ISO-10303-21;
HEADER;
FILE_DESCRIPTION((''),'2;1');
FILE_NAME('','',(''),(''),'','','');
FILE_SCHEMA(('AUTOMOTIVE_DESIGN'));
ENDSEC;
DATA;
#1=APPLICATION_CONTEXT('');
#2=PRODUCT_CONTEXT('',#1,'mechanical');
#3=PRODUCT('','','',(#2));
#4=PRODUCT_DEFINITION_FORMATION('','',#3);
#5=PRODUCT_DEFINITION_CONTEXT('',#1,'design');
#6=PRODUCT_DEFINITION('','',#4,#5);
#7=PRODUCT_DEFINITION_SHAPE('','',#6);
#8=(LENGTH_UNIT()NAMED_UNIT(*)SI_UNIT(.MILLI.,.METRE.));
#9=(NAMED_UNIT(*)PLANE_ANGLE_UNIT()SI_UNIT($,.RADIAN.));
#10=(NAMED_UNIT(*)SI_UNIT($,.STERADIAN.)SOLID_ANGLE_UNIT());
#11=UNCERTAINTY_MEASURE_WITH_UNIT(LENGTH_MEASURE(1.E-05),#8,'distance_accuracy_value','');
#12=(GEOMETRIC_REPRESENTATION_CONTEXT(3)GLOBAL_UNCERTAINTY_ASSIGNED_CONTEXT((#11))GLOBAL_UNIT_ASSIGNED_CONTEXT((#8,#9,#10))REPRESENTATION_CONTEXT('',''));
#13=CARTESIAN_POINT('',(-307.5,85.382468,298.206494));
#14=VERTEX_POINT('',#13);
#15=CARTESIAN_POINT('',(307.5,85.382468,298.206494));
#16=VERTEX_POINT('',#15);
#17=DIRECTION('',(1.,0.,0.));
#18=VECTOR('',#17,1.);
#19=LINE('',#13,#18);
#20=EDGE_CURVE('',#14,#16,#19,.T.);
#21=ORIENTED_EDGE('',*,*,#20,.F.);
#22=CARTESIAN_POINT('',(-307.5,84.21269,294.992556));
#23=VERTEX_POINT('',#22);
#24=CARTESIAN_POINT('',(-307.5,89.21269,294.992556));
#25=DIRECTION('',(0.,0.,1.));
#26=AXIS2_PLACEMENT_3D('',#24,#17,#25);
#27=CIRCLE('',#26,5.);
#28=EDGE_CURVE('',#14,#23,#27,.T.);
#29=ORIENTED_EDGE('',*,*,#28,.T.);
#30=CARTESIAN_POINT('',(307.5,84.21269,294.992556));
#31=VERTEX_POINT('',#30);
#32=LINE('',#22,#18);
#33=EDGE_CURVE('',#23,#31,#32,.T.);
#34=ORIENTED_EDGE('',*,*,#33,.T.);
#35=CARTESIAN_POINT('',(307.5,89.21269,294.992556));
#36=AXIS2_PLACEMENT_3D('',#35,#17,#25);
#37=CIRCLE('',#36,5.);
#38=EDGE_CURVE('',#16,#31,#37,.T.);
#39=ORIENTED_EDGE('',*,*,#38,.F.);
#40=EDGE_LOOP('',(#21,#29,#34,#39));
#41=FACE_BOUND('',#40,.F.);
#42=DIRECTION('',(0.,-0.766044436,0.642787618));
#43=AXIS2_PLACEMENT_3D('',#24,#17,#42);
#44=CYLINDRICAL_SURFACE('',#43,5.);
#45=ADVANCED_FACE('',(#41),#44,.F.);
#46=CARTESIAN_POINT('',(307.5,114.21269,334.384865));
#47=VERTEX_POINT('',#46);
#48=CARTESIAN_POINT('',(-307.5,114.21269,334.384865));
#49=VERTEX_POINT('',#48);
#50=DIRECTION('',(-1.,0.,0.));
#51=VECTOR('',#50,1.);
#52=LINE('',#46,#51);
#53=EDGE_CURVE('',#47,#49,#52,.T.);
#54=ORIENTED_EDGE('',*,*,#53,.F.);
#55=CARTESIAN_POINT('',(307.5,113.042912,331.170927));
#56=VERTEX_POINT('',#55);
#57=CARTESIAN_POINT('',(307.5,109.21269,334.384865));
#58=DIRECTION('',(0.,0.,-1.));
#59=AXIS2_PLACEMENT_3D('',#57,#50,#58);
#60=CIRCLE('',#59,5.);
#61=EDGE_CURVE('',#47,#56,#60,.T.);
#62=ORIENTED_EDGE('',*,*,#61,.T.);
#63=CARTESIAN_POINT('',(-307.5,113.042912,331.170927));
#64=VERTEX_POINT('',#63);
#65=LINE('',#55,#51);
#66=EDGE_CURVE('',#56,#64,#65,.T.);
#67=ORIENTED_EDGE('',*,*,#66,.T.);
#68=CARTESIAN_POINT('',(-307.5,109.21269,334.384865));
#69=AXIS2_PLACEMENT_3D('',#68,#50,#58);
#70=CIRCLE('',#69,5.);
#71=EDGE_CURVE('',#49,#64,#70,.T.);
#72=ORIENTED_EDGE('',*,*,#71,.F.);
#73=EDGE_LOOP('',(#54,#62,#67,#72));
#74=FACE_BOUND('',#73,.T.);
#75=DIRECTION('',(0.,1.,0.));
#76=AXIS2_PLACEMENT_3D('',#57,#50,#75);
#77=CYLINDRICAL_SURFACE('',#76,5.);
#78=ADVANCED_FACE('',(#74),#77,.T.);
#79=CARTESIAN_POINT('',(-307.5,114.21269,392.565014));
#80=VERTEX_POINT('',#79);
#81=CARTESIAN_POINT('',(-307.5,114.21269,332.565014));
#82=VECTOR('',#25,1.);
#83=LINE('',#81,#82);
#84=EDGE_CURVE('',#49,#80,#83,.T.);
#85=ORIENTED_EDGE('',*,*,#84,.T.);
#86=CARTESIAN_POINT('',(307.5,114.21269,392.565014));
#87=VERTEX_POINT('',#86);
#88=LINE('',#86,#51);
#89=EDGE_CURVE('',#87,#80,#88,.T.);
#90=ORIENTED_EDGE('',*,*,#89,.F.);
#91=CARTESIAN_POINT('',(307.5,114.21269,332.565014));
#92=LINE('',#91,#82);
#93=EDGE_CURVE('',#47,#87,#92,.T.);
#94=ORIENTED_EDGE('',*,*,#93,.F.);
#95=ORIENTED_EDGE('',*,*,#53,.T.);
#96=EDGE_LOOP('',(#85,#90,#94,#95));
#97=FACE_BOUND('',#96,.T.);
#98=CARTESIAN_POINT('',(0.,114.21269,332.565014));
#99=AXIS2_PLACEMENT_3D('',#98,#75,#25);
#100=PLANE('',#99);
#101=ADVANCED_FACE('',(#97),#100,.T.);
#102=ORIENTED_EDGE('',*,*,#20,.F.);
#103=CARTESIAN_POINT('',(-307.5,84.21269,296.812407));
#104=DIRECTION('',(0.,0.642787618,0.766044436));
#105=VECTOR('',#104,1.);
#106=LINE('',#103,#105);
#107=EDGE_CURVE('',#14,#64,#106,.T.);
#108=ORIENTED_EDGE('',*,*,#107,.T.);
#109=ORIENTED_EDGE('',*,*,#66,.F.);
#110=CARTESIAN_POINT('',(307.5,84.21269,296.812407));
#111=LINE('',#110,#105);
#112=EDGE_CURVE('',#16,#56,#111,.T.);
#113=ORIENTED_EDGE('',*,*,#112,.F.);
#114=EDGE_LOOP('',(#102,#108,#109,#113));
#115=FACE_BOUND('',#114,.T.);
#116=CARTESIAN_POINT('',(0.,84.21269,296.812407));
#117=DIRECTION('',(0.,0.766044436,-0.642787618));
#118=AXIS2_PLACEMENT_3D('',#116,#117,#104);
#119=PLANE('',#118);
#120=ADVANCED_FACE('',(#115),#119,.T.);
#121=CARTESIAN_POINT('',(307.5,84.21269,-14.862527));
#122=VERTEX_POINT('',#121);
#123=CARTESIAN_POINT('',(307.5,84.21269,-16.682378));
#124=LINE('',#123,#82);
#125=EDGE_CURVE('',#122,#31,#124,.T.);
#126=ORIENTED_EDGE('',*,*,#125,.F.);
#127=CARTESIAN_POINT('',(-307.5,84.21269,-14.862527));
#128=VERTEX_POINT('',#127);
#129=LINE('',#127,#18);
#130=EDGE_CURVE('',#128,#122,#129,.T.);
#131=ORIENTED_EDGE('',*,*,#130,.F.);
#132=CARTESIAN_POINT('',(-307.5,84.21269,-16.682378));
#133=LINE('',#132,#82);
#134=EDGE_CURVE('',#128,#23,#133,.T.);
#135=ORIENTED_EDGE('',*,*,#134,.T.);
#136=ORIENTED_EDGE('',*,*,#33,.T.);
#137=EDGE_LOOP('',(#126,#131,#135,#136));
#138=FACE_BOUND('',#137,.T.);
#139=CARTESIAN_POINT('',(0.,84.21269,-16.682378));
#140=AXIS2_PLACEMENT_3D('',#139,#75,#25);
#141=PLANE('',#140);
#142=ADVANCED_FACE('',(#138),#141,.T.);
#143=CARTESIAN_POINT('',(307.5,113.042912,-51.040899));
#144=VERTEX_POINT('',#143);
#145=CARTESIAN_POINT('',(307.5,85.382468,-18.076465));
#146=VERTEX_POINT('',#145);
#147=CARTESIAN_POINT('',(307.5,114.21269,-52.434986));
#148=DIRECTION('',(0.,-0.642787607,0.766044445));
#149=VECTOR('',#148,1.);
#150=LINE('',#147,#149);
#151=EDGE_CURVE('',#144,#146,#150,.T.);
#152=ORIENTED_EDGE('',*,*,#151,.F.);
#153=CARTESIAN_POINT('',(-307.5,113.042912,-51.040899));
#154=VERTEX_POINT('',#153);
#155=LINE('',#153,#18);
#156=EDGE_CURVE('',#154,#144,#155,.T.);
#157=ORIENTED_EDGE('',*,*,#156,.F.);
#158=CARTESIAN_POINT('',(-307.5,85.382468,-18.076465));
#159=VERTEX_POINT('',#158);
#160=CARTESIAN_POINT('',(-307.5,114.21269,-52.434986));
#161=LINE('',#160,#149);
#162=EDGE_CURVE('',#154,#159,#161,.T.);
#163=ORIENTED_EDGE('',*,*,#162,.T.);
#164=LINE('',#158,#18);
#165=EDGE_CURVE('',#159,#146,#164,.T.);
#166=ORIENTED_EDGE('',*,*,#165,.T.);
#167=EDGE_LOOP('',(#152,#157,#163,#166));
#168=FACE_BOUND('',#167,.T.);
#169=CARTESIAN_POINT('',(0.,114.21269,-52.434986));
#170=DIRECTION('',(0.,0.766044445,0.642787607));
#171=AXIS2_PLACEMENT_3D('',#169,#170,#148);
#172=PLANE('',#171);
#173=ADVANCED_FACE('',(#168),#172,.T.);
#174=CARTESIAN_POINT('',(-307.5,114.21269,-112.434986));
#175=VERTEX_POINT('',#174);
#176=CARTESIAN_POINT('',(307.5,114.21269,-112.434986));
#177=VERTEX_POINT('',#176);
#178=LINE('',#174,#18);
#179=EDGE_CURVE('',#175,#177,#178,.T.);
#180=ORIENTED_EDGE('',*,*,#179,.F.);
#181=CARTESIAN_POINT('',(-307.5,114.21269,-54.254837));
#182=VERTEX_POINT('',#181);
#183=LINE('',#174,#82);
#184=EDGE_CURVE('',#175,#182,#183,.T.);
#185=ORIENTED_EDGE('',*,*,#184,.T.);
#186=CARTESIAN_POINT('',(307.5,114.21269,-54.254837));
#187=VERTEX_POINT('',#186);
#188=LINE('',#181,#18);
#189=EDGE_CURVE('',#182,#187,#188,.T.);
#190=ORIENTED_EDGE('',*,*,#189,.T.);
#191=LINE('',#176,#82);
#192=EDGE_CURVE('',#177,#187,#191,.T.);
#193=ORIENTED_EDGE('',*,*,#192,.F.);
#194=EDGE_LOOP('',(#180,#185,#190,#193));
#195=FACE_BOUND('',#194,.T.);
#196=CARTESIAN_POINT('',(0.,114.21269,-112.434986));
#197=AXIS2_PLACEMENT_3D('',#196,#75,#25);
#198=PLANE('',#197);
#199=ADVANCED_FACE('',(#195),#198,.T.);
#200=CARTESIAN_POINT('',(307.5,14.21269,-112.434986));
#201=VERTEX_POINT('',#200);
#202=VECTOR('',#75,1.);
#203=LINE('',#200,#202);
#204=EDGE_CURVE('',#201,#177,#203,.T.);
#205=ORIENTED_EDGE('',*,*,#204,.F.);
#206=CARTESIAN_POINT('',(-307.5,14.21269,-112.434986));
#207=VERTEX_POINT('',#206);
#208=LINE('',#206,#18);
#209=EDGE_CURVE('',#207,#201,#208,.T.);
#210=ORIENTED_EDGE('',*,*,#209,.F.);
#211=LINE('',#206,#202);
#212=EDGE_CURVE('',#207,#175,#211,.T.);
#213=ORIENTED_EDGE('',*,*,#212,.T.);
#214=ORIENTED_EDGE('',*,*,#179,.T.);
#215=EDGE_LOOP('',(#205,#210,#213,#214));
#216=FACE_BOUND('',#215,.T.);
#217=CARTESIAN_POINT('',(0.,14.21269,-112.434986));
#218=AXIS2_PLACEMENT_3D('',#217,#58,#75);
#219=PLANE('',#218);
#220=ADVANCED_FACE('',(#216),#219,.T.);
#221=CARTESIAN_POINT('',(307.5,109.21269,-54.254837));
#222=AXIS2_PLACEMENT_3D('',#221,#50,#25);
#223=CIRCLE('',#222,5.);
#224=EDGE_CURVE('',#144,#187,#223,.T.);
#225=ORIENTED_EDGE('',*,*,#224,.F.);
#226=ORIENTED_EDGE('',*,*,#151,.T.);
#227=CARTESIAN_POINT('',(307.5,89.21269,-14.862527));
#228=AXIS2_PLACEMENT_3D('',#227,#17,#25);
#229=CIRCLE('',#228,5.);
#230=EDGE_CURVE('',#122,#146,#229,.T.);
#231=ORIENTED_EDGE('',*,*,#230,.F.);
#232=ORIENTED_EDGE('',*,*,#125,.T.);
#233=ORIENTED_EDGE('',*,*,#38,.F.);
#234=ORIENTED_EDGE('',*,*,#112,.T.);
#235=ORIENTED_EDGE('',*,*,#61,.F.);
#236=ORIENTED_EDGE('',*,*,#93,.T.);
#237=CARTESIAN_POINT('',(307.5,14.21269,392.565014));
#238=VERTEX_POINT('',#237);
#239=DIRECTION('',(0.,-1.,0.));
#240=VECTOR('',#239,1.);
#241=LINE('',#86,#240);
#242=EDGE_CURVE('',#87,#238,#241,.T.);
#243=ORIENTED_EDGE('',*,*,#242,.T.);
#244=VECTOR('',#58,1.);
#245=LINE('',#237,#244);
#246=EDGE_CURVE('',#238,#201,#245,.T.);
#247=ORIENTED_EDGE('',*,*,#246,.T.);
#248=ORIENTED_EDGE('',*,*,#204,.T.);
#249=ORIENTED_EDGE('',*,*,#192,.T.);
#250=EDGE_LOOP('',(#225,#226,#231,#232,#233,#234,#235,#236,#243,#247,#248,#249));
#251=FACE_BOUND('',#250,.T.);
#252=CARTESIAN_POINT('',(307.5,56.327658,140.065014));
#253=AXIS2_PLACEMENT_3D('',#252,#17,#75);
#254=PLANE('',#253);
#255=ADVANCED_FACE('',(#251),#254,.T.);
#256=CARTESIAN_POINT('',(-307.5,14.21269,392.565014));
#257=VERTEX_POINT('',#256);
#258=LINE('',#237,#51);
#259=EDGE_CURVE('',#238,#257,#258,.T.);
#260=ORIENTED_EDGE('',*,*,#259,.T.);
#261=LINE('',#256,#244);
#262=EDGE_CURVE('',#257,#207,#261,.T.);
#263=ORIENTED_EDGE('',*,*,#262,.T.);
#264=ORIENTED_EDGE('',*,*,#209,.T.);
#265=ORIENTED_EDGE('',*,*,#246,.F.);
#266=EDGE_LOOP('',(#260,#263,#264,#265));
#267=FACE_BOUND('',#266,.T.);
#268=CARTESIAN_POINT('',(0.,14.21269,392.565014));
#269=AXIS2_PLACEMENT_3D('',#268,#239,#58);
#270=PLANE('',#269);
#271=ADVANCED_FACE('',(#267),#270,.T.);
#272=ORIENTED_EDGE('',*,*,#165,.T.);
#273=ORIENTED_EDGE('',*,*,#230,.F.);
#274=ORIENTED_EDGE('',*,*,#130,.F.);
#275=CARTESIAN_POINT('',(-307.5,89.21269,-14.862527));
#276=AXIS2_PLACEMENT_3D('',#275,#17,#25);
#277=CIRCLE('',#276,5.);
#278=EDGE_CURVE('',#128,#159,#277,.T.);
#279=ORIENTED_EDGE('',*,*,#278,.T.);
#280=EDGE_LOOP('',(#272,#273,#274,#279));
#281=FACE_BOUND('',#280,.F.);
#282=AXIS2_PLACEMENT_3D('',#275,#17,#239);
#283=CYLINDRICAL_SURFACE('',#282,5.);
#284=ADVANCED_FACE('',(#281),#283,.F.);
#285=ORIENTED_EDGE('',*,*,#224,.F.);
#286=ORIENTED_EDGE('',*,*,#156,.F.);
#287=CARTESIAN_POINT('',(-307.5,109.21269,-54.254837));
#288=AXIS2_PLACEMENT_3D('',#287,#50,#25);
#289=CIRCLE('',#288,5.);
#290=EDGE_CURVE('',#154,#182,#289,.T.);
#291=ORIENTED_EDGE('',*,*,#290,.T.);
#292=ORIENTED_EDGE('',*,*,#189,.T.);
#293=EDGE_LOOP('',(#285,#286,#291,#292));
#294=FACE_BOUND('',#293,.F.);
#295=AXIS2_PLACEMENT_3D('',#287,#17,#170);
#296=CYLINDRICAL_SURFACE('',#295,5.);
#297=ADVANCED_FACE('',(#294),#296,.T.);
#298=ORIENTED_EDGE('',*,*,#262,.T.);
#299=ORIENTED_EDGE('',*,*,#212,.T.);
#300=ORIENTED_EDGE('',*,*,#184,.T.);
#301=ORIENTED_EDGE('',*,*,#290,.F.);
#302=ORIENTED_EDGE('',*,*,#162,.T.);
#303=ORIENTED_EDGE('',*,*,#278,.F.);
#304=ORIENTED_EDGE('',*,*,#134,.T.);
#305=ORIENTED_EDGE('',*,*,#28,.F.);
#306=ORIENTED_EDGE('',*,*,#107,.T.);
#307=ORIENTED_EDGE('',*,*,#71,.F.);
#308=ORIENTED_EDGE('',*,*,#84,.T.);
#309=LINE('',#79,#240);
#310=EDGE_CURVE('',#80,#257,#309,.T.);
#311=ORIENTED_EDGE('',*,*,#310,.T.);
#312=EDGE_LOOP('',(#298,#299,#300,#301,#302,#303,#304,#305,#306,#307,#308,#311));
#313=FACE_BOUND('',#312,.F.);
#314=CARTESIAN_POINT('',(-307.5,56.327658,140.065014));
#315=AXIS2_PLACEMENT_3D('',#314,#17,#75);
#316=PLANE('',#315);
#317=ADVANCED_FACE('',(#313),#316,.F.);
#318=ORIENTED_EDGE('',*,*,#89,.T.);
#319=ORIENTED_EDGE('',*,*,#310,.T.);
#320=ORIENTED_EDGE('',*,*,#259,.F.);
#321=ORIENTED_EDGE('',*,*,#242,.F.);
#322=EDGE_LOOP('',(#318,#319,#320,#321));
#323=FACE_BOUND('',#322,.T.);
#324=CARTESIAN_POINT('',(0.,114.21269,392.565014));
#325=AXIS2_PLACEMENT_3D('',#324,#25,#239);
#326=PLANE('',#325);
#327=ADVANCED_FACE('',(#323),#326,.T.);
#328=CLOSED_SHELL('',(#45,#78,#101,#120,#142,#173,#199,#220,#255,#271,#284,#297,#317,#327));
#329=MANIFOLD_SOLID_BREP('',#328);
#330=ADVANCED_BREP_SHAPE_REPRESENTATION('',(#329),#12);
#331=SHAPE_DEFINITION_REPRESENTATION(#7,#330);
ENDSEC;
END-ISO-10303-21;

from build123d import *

# Parameters (mm, degrees)
F1_DEPTH = 307.5
F2_R     = 5


with BuildPart() as f1:
    # F0 (on Right) → F1 (new body, symmetric)
    with BuildSketch(Plane.YZ):
        Polygon((14.21269, 392.565014), (14.21269, -112.434986), (114.21269, -112.434986), (114.21269, -52.434986), (84.21269, -16.682378), (84.21269, 296.812407), (114.21269, 332.565014), (114.21269, 392.565014), align=None)
    extrude(amount=F1_DEPTH, both=True)

    # F2
    f2_edges = [f1.edges().sort_by_distance(p)[0] for p in [
        (0, 114.21269, -52.434986),
        (0, 84.21269, -16.682378),
        (0, 84.21269, 296.812407),
        (0, 114.21269, 332.565014),
    ]]
    fillet(f2_edges, radius=F2_R)


solid = f1.part
